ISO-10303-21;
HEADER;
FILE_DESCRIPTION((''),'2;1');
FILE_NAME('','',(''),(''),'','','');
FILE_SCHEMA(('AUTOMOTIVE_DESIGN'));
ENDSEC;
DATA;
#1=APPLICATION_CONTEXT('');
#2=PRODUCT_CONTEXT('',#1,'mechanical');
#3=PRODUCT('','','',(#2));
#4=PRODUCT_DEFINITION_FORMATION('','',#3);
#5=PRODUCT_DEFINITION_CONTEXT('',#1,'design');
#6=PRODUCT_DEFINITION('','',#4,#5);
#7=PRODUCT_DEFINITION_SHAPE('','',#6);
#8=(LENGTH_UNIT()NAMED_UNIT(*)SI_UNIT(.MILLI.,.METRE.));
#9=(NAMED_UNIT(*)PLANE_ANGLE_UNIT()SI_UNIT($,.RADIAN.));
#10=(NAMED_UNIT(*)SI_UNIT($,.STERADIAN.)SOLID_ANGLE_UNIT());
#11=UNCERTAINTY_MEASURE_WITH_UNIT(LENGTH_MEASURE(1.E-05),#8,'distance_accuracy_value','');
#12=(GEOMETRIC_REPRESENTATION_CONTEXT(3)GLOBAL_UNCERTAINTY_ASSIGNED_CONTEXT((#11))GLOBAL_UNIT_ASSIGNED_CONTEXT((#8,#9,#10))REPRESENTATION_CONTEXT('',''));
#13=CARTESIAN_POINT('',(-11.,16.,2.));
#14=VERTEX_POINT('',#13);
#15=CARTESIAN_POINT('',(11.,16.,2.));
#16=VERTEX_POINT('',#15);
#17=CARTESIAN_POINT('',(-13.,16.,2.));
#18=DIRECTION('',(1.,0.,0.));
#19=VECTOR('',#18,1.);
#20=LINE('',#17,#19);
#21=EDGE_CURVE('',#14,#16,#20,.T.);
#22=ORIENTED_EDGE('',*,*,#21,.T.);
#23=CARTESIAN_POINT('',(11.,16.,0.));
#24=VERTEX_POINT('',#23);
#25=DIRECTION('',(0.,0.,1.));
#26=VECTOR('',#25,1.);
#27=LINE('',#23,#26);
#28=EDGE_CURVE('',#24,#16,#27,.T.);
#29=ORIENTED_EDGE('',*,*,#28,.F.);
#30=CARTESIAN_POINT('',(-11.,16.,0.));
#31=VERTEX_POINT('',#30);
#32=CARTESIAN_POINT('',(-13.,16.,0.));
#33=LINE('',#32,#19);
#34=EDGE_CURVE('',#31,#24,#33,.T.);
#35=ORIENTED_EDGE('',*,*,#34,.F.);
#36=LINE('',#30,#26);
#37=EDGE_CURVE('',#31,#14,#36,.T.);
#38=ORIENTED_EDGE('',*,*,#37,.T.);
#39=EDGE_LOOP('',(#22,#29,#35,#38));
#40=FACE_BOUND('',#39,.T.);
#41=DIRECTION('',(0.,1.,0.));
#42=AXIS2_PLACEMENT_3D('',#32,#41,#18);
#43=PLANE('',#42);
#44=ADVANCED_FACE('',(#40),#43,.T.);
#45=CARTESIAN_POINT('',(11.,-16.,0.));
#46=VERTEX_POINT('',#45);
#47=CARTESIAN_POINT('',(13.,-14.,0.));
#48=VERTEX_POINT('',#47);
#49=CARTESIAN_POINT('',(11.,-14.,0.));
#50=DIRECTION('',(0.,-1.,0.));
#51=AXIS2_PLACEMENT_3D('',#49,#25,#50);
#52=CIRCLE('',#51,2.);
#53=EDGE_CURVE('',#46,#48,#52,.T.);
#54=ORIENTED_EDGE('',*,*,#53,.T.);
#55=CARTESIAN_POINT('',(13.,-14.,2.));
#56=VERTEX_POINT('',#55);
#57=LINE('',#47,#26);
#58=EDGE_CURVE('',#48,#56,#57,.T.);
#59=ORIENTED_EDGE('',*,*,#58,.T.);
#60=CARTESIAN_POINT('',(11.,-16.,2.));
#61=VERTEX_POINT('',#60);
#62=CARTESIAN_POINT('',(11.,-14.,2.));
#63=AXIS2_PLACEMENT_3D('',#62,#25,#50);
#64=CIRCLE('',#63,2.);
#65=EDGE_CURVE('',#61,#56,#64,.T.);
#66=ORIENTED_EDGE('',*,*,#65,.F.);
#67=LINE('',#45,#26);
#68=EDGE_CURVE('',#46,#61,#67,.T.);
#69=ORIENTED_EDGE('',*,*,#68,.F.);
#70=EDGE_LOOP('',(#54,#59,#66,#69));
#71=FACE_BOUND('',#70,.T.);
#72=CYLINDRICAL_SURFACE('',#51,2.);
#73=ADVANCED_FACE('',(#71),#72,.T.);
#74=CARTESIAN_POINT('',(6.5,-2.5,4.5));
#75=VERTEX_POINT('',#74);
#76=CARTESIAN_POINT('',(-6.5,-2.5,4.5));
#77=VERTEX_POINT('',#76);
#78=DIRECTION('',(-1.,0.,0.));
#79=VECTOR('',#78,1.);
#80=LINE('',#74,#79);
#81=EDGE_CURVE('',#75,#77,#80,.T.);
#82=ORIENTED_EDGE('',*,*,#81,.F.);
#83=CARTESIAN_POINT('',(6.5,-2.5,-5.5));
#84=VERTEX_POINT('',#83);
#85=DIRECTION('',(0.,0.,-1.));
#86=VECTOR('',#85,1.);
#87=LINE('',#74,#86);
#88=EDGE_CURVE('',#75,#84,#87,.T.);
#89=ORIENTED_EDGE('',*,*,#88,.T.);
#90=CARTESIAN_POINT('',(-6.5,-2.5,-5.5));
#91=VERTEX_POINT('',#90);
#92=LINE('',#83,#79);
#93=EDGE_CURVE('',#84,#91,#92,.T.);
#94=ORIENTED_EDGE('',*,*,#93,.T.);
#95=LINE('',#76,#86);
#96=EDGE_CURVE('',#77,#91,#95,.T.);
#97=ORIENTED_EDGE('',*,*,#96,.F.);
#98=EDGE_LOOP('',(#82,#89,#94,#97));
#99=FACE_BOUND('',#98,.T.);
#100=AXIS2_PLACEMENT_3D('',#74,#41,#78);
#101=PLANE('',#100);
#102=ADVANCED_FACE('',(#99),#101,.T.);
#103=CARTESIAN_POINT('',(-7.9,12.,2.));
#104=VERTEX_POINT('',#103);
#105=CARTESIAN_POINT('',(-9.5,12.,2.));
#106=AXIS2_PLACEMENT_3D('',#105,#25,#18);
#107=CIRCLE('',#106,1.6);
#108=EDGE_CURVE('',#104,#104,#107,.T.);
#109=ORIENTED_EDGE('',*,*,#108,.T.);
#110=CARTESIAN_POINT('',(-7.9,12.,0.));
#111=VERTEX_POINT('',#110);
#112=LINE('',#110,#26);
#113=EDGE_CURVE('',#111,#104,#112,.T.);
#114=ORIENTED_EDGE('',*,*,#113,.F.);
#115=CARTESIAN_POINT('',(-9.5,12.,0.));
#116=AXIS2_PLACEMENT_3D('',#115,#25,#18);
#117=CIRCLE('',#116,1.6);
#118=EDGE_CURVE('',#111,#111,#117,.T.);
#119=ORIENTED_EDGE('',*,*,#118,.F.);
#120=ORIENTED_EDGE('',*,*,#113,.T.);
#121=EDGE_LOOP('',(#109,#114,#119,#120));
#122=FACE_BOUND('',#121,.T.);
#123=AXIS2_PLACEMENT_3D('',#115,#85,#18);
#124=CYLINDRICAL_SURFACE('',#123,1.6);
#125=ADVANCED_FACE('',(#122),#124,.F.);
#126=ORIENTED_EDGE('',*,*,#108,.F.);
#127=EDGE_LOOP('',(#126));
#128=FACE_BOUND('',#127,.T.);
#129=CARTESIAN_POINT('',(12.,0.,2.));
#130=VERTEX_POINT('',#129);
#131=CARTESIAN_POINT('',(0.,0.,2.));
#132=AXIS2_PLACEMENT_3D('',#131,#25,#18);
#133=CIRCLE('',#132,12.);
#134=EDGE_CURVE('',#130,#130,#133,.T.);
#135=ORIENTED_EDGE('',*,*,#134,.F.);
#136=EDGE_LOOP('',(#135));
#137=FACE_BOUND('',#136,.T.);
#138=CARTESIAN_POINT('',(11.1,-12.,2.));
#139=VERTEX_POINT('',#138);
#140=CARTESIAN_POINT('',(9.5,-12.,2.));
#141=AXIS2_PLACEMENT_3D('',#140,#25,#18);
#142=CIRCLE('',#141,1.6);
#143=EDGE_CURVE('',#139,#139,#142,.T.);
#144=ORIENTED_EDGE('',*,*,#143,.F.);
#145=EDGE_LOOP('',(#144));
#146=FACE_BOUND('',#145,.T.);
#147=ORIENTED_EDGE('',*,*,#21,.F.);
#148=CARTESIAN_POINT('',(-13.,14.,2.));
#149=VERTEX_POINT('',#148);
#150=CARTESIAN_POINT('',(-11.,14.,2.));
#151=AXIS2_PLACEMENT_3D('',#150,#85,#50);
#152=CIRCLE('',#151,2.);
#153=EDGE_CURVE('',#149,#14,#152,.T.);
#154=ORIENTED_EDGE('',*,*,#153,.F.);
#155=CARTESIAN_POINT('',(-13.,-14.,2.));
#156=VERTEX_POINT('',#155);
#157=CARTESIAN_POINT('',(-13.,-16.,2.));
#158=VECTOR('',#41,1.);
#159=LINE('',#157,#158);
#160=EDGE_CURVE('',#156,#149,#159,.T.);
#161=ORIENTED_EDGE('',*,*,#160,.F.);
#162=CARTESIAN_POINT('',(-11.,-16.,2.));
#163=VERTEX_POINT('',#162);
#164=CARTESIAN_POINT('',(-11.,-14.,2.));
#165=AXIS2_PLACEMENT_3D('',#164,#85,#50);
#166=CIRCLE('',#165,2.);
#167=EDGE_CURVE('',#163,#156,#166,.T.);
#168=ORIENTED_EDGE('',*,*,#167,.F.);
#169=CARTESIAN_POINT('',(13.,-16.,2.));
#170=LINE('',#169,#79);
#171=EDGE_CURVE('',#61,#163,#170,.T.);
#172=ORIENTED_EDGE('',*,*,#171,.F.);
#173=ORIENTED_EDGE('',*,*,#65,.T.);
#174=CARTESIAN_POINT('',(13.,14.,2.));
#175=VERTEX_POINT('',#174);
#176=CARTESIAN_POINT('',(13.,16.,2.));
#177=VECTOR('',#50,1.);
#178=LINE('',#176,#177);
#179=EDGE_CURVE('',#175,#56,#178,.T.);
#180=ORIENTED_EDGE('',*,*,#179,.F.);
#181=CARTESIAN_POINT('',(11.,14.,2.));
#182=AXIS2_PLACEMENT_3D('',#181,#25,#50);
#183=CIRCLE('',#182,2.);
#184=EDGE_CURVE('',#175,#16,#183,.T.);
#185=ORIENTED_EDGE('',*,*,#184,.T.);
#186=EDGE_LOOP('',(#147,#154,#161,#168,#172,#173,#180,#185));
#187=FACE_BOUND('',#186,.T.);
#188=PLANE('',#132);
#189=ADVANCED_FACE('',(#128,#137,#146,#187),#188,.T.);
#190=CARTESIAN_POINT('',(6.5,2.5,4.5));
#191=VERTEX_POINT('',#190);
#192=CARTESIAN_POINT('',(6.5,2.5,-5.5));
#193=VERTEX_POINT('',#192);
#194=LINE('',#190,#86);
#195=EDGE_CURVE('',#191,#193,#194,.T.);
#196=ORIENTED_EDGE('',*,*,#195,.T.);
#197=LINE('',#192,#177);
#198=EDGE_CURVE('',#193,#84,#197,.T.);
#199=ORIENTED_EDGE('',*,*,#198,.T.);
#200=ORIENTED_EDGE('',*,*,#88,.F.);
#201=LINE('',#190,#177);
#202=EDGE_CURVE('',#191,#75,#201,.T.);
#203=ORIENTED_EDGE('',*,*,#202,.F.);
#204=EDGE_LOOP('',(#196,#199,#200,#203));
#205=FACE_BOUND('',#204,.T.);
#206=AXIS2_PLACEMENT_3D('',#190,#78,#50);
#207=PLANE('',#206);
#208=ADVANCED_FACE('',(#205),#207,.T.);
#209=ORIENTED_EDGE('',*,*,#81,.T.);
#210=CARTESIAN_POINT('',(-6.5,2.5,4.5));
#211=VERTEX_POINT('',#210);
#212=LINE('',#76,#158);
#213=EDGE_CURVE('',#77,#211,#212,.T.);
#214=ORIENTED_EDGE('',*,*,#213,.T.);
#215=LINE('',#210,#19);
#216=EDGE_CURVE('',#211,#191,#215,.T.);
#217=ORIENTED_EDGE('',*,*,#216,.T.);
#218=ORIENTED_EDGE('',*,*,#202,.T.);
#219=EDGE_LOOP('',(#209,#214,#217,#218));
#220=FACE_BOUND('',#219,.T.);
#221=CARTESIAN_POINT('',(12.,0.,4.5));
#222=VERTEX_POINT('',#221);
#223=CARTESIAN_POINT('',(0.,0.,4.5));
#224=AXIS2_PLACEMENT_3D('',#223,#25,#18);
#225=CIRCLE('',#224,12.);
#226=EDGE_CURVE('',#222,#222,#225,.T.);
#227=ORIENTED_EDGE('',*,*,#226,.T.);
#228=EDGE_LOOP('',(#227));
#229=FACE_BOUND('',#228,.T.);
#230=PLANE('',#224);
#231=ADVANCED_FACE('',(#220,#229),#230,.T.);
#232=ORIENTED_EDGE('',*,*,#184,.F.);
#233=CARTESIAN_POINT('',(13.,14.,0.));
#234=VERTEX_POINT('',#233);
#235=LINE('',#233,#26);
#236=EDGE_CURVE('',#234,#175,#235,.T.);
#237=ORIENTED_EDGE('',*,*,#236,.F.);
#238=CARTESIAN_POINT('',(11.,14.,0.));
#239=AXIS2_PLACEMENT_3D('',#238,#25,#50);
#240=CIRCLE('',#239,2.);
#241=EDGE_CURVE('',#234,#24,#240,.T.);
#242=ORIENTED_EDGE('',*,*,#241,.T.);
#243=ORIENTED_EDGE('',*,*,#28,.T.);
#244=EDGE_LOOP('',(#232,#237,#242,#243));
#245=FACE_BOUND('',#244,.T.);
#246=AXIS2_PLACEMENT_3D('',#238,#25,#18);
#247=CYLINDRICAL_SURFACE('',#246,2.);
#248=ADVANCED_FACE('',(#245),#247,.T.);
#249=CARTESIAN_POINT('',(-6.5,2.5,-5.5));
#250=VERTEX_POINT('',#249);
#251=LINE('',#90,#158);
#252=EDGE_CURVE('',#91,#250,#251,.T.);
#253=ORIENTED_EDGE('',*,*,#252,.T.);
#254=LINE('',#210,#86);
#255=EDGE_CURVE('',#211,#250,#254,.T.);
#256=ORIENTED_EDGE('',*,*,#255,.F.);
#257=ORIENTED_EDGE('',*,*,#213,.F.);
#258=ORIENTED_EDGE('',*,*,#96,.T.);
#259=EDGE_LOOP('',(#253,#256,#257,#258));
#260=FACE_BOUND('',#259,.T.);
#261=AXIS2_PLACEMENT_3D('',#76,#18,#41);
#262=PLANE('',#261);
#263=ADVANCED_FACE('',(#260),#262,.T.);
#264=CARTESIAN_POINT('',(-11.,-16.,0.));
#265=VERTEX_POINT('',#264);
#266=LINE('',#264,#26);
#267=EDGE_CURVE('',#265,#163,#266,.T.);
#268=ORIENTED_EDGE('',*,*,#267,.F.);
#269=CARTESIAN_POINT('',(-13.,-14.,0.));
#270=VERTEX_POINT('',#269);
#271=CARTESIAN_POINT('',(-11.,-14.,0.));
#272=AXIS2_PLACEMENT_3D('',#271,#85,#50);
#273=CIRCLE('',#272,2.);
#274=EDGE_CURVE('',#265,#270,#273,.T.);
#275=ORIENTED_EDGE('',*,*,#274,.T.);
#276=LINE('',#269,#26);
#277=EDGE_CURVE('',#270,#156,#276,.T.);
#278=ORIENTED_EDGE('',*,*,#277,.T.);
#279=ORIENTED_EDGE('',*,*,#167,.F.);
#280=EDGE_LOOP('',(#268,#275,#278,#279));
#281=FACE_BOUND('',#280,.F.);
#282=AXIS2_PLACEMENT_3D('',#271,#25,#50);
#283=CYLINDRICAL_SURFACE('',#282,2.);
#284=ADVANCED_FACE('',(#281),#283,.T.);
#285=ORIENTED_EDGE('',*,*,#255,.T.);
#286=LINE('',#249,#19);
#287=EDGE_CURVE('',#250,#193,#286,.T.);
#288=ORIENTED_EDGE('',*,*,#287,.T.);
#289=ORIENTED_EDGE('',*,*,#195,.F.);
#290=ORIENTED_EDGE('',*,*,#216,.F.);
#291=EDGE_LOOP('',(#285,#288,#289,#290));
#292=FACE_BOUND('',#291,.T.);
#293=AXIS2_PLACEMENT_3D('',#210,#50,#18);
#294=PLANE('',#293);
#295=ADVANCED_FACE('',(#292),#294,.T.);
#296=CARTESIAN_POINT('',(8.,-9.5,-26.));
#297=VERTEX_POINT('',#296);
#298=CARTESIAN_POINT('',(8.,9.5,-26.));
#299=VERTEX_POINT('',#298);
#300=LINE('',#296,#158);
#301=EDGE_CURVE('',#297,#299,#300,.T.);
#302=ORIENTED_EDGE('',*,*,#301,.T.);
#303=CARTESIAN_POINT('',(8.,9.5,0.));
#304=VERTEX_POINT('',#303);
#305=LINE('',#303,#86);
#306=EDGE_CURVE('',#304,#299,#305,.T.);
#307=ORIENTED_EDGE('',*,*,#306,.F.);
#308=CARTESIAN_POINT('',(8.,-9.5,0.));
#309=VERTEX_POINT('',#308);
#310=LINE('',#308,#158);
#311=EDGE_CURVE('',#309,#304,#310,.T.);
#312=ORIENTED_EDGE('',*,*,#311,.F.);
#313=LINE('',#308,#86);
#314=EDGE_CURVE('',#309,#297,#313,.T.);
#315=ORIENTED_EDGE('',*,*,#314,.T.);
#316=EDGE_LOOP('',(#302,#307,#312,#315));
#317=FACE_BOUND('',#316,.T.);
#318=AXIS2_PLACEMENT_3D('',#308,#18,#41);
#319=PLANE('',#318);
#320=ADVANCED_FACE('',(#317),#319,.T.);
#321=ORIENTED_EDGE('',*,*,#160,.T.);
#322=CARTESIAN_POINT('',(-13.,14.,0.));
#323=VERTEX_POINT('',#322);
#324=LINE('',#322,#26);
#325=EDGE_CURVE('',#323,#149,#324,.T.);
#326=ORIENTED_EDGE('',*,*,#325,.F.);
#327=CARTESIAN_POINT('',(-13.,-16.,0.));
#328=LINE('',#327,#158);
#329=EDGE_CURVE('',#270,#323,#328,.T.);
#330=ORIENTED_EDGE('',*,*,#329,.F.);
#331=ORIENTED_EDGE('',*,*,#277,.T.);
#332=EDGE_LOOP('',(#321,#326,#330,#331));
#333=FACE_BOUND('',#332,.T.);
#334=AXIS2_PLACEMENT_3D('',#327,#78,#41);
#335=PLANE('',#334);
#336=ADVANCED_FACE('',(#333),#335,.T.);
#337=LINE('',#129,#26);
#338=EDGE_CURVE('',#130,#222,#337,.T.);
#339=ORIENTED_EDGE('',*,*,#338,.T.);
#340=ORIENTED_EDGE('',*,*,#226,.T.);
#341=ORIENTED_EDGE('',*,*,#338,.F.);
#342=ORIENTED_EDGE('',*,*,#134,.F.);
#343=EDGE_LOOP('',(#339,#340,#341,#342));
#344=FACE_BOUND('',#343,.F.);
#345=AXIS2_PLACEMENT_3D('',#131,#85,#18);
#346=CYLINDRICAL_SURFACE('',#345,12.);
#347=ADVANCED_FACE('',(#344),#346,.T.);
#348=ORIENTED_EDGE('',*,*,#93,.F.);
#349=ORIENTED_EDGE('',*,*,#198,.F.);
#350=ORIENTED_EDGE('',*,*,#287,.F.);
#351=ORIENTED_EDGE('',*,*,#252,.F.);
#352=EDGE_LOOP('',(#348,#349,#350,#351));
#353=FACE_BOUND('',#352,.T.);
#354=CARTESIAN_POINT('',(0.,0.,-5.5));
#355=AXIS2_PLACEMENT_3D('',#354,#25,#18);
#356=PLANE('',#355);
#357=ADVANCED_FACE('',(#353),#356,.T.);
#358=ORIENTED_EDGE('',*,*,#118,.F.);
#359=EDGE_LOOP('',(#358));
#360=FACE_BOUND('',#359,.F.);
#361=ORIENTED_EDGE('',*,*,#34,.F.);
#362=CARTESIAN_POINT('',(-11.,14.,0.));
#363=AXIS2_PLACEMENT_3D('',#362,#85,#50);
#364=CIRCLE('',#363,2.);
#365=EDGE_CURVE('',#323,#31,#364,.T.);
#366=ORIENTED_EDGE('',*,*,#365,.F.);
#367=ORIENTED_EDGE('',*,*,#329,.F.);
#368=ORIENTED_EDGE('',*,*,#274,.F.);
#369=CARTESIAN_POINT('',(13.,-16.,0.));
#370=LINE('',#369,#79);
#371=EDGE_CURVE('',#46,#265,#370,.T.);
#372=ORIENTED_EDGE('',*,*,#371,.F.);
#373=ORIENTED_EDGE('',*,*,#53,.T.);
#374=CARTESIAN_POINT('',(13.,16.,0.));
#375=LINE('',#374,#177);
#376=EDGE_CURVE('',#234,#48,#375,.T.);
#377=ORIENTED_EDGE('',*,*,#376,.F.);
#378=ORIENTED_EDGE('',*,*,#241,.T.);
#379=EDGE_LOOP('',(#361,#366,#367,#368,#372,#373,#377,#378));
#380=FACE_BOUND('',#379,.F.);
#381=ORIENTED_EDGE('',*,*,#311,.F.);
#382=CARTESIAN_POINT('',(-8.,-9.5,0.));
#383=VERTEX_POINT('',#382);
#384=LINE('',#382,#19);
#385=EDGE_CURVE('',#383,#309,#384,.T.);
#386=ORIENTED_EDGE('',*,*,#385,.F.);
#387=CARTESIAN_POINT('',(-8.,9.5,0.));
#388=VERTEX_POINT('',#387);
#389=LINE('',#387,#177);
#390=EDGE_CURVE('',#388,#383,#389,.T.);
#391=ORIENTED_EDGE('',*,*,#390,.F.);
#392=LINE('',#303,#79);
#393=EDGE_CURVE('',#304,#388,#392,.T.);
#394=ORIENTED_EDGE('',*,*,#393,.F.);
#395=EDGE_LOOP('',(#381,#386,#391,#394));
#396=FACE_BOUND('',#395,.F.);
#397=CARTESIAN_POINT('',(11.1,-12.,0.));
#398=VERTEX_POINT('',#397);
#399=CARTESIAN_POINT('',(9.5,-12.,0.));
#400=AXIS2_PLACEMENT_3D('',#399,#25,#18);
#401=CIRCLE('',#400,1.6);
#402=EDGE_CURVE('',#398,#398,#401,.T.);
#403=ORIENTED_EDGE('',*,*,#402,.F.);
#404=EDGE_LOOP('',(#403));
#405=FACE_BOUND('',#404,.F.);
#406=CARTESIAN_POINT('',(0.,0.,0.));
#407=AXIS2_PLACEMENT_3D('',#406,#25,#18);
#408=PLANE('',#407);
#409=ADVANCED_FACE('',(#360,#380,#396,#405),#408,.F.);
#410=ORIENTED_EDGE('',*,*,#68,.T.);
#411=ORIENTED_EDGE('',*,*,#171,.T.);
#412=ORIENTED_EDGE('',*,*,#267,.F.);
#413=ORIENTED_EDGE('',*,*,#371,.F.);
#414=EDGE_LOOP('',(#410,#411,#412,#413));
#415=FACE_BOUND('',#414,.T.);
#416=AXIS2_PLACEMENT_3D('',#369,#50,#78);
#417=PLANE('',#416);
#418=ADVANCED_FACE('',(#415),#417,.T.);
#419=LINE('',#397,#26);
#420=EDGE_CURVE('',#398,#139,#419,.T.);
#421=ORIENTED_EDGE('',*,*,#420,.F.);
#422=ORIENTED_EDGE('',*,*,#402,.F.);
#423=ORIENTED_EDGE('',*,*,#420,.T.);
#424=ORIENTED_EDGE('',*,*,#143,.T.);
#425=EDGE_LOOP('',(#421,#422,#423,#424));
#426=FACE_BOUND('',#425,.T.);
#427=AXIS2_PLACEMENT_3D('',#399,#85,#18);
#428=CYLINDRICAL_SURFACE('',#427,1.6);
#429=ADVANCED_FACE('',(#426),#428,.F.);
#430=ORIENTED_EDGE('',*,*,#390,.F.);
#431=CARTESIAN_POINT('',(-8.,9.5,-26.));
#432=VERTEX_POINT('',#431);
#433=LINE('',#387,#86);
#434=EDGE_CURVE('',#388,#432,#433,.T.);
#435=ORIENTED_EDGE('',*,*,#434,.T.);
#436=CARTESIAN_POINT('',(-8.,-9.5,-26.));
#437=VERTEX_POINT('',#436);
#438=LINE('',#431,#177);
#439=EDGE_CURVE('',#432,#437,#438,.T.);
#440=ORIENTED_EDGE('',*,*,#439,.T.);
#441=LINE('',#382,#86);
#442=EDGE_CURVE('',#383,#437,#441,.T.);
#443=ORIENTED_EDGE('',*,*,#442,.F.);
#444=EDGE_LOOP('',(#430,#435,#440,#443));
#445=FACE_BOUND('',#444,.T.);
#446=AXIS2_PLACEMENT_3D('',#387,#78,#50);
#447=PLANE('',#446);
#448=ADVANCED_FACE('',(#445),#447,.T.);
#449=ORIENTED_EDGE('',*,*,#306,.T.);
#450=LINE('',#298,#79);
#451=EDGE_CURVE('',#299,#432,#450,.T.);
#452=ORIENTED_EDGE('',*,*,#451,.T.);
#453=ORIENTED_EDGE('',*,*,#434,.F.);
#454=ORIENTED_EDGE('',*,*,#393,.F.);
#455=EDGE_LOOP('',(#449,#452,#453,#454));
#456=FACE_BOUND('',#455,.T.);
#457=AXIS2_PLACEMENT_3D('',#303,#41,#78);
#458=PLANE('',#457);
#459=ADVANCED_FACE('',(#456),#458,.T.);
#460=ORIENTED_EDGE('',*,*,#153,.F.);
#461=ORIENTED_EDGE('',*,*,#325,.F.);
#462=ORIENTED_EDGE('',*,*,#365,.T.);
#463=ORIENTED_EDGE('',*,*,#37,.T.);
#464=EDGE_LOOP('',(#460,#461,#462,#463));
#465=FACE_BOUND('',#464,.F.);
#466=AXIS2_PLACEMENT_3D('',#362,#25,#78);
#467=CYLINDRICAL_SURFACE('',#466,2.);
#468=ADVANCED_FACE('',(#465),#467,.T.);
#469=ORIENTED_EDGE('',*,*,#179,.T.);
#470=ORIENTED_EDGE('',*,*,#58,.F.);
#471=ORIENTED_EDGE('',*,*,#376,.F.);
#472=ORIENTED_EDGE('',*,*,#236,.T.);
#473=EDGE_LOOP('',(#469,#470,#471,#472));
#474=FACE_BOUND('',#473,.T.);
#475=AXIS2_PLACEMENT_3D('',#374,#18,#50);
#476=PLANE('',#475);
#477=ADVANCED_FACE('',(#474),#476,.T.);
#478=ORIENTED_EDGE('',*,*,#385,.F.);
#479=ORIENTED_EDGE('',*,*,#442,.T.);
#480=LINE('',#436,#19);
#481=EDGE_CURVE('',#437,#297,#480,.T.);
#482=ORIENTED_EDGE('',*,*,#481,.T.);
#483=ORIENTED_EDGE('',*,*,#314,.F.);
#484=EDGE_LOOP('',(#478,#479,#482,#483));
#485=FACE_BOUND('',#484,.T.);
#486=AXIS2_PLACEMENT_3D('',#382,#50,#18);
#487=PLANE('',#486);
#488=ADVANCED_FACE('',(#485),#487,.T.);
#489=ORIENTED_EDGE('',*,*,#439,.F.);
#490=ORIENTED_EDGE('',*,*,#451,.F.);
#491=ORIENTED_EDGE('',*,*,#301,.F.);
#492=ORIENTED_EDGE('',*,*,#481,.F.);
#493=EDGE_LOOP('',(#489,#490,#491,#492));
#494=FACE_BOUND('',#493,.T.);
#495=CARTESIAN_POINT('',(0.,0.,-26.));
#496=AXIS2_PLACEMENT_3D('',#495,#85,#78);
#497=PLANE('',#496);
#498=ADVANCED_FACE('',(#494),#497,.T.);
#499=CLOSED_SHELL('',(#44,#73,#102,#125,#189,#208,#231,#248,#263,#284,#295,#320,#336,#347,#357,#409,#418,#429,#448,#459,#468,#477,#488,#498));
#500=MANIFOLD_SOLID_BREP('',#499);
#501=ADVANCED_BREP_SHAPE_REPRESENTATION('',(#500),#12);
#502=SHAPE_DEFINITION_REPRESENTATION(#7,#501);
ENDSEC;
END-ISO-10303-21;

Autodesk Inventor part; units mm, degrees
ref_plane "YZ Plane" through (0, 0, 0) normal (1, 0, 0) x (0, 1, 0)
ref_plane "XZ Plane" through (0, 0, 0) normal (0, 1, 0) x (-1, 0, 0)
ref_plane "XY Plane" through (0, 0, 0) normal (0, 0, 1) x (1, 0, 0)
sketch "Sketch1" plane through (0, 0, 0) normal (0, 0, 1) x (1, 0, 0)
  line L0 (13, -16) -> (-13, -16)
  line L1 (-13, -16) -> (-13, 16)
  line L2 (-13, 16) -> (13, 16)
  line L3 (13, 16) -> (13, -16)
  line L4 (13, -16) -> (-13, 16) construction
  line L5 (-13, -16) -> (13, 16) construction
  circle A0 centre (-9.5, 12) radius 1.6
  circle A1 centre (9.5, -12) radius 1.6
  point P0 (0, 0)
  dimension "d0" = 32
  dimension "d1" = 26
  dimension "d3" = 12
  dimension "d4" = 12
  dimension "d5" = 9.5
  dimension "d6" = 9.5
  dimension "d7" = 3.2
extrude "Extrusion1" add sketch "Sketch1" along normal blind 2
sketch "Sketch2" plane through (0, 0, 2) normal (0, 0, 1) x (1, 0, 0)
  circle A0 centre (0, 0) radius 12
  dimension "d10" = 24
extrude "Extrusion2" add sketch "Sketch2" along normal blind 2.5
fillet "Fillet1" radius 2 4 edges at (-13, 16, 1) (13, 16, 1) (-13, -16, 1) (13, -16, 1)
sketch "Sketch3" plane through (0, 0, 0) normal (0, 0, -1) x (-1, 0, 0)
  line L0 (8, -9.5) -> (-8, -9.5)
  line L1 (-8, -9.5) -> (-8, 9.5)
  line L2 (-8, 9.5) -> (8, 9.5)
  line L3 (8, 9.5) -> (8, -9.5)
  line L4 (8, -9.5) -> (-8, 9.5) construction
  line L5 (-8, -9.5) -> (8, 9.5) construction
  point P0 (0, 0)
  dimension "d14" = 19
  dimension "d15" = 16
extrude "Extrusion3" add sketch "Sketch3" along normal blind 26
sketch "Sketch4" plane through (0, 0, 4.5) normal (0, 0, 1) x (1, 0, 0)
  line L0 (6.5, -2.5) -> (-6.5, -2.5)
  line L1 (-6.5, -2.5) -> (-6.5, 2.5)
  line L2 (-6.5, 2.5) -> (6.5, 2.5)
  line L3 (6.5, 2.5) -> (6.5, -2.5)
  line L4 (6.5, -2.5) -> (-6.5, 2.5) construction
  line L5 (-6.5, -2.5) -> (6.5, 2.5) construction
  point P0 (0, 0)
  dimension "d18" = 13
  dimension "d19" = 5
extrude "Extrusion4" cut sketch "Sketch4" against normal blind 10
equation "\"d4\" = d3"
equation "\"d6\" = d5"
properties part number "Delock Panel Connector" material "Aluminum 6061"
